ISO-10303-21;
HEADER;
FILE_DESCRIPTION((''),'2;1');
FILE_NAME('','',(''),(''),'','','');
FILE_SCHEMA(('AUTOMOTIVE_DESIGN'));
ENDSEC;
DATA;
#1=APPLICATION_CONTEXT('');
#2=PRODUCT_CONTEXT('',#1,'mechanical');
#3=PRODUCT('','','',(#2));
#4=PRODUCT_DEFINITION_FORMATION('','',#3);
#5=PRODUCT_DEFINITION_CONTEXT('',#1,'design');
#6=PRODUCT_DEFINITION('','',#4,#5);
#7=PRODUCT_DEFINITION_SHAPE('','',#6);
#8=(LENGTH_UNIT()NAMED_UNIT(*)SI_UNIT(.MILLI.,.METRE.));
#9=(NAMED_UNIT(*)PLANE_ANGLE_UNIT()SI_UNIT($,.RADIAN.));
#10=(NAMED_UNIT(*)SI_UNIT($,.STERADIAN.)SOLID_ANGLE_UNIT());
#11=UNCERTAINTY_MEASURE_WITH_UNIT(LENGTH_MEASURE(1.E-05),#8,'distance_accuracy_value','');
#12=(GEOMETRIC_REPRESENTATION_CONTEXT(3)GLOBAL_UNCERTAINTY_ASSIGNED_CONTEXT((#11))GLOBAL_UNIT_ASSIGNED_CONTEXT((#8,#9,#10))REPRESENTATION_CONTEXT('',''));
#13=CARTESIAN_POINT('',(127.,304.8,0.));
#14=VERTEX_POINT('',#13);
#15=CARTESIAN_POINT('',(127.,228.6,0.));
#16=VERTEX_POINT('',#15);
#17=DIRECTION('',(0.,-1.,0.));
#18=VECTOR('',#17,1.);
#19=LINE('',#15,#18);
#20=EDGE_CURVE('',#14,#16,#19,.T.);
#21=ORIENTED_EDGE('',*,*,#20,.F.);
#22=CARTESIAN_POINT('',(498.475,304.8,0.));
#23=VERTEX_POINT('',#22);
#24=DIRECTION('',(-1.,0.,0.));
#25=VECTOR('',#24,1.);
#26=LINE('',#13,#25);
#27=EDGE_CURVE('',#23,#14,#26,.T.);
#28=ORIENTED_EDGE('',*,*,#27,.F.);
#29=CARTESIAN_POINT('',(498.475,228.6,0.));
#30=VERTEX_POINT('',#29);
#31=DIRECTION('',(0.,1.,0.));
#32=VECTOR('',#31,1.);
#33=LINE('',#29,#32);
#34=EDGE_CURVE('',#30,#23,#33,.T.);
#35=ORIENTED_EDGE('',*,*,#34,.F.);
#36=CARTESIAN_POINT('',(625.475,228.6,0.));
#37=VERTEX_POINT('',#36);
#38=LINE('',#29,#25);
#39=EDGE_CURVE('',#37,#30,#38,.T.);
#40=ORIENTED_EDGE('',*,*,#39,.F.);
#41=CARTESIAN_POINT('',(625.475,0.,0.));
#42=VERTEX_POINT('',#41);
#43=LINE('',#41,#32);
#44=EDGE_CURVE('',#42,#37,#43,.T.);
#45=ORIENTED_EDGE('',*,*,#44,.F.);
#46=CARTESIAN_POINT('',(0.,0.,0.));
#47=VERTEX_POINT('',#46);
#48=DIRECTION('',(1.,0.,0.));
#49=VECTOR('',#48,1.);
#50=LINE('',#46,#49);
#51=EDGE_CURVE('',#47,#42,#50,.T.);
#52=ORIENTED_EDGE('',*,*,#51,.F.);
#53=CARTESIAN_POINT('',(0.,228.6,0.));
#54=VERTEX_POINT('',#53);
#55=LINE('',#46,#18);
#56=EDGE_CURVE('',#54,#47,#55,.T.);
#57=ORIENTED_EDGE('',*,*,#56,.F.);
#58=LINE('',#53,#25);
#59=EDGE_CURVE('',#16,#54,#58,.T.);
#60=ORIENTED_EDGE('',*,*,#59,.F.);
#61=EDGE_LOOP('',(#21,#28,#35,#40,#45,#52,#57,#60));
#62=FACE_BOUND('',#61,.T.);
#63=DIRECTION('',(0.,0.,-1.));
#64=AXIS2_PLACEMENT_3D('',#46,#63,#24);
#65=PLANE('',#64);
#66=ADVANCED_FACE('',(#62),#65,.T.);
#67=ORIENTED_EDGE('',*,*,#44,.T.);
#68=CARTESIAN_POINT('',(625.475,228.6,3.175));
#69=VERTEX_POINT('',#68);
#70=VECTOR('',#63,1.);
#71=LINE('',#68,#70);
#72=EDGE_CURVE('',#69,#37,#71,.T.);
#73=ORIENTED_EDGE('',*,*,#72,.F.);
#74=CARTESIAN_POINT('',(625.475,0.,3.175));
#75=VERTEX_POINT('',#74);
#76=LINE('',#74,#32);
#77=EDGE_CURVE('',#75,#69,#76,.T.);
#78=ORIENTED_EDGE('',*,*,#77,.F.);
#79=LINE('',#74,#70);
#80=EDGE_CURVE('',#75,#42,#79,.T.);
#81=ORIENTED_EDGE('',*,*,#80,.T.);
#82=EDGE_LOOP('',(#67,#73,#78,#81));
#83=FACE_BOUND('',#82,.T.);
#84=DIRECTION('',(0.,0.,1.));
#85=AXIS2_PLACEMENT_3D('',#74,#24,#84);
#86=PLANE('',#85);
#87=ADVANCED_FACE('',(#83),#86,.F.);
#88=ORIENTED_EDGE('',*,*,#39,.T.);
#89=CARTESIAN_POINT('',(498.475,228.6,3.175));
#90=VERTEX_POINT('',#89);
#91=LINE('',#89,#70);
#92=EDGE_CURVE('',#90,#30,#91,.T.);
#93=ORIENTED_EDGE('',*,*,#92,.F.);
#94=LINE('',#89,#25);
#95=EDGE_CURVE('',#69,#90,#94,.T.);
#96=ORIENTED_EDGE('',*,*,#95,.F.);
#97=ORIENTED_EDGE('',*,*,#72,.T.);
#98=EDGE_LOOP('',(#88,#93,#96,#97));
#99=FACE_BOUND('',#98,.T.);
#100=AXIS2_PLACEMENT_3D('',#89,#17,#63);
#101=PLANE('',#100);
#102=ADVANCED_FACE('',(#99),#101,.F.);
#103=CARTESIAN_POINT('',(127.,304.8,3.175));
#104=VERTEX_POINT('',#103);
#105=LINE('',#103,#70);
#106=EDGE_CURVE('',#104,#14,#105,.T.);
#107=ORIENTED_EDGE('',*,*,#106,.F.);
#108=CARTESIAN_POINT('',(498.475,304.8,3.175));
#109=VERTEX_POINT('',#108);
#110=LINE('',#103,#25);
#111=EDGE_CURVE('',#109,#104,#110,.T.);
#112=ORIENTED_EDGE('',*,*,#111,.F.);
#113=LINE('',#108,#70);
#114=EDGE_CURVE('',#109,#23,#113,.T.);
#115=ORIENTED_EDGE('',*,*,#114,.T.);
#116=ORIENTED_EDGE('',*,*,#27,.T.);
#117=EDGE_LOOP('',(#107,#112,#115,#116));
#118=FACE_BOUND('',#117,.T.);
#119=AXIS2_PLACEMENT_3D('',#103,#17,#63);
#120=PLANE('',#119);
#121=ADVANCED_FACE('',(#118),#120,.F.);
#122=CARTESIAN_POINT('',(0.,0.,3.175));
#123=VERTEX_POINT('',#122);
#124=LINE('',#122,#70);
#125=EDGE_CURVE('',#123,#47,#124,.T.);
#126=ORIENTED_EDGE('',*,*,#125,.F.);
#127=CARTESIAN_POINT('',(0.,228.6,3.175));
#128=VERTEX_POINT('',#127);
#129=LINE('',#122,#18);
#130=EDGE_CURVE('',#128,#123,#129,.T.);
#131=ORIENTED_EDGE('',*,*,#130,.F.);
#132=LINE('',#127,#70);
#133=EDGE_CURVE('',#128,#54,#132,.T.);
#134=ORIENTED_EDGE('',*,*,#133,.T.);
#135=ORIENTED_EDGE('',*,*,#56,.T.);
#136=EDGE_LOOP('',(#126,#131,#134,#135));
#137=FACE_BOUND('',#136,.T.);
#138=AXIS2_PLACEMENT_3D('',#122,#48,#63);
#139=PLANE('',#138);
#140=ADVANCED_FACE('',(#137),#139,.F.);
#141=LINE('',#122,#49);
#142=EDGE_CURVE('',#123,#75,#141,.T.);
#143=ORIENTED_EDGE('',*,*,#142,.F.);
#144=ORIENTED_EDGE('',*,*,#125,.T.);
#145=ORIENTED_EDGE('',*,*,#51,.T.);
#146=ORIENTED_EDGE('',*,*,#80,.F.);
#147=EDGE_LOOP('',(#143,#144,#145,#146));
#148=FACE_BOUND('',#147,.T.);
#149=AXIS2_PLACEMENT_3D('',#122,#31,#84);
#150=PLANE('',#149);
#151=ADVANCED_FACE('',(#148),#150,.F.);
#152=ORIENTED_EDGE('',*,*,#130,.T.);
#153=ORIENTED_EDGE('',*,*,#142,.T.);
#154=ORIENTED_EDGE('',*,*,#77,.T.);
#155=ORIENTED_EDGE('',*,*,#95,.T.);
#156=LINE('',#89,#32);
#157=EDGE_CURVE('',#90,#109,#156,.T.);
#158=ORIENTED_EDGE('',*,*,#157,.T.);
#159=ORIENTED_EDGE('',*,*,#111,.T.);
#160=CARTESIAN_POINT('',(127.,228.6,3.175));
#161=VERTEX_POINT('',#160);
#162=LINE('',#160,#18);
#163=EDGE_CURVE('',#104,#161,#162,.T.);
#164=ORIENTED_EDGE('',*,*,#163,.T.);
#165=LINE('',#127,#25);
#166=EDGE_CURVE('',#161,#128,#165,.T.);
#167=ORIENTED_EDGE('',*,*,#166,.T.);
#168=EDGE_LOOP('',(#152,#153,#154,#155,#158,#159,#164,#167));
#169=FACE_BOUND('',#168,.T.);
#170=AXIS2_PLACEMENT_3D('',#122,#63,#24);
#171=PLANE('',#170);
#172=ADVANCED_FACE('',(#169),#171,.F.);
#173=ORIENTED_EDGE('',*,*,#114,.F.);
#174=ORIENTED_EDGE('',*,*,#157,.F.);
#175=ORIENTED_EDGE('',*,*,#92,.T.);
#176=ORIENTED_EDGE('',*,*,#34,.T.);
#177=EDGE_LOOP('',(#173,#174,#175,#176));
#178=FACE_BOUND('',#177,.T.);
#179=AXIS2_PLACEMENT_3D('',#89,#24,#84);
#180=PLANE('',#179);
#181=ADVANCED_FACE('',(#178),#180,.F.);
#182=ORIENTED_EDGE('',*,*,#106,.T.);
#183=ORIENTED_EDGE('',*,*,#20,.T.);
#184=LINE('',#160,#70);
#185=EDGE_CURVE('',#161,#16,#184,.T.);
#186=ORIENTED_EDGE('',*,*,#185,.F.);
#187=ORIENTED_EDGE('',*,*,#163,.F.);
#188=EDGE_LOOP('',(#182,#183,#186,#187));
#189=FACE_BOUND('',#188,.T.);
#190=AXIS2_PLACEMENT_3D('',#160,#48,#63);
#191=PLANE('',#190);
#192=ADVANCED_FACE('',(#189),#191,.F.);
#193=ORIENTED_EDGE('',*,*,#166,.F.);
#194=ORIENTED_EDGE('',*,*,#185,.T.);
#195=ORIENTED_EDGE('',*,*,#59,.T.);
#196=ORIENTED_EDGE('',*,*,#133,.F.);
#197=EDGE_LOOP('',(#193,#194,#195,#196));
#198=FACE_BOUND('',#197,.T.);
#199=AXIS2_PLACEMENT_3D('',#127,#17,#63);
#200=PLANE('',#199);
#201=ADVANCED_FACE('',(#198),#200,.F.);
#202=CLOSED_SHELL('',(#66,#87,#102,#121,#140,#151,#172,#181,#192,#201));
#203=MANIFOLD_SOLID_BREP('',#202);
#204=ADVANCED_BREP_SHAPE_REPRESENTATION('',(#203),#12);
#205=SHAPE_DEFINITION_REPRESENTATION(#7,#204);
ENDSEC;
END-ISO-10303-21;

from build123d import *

# Parameters (mm, degrees)
BOSS_EXTRUDE1_DEPTH = 3.175


with BuildPart() as part:
    # Sketch1 → Boss-Extrude1 (new body)
    with BuildSketch(Plane.XY):
        Polygon((498.475, 228.6), (625.475, 228.6), (625.475, 0), (0, 0), (0, 228.6), (127, 228.6), (127, 304.8), (498.475, 304.8), align=None)
    extrude(amount=BOSS_EXTRUDE1_DEPTH)


solid = part.part
